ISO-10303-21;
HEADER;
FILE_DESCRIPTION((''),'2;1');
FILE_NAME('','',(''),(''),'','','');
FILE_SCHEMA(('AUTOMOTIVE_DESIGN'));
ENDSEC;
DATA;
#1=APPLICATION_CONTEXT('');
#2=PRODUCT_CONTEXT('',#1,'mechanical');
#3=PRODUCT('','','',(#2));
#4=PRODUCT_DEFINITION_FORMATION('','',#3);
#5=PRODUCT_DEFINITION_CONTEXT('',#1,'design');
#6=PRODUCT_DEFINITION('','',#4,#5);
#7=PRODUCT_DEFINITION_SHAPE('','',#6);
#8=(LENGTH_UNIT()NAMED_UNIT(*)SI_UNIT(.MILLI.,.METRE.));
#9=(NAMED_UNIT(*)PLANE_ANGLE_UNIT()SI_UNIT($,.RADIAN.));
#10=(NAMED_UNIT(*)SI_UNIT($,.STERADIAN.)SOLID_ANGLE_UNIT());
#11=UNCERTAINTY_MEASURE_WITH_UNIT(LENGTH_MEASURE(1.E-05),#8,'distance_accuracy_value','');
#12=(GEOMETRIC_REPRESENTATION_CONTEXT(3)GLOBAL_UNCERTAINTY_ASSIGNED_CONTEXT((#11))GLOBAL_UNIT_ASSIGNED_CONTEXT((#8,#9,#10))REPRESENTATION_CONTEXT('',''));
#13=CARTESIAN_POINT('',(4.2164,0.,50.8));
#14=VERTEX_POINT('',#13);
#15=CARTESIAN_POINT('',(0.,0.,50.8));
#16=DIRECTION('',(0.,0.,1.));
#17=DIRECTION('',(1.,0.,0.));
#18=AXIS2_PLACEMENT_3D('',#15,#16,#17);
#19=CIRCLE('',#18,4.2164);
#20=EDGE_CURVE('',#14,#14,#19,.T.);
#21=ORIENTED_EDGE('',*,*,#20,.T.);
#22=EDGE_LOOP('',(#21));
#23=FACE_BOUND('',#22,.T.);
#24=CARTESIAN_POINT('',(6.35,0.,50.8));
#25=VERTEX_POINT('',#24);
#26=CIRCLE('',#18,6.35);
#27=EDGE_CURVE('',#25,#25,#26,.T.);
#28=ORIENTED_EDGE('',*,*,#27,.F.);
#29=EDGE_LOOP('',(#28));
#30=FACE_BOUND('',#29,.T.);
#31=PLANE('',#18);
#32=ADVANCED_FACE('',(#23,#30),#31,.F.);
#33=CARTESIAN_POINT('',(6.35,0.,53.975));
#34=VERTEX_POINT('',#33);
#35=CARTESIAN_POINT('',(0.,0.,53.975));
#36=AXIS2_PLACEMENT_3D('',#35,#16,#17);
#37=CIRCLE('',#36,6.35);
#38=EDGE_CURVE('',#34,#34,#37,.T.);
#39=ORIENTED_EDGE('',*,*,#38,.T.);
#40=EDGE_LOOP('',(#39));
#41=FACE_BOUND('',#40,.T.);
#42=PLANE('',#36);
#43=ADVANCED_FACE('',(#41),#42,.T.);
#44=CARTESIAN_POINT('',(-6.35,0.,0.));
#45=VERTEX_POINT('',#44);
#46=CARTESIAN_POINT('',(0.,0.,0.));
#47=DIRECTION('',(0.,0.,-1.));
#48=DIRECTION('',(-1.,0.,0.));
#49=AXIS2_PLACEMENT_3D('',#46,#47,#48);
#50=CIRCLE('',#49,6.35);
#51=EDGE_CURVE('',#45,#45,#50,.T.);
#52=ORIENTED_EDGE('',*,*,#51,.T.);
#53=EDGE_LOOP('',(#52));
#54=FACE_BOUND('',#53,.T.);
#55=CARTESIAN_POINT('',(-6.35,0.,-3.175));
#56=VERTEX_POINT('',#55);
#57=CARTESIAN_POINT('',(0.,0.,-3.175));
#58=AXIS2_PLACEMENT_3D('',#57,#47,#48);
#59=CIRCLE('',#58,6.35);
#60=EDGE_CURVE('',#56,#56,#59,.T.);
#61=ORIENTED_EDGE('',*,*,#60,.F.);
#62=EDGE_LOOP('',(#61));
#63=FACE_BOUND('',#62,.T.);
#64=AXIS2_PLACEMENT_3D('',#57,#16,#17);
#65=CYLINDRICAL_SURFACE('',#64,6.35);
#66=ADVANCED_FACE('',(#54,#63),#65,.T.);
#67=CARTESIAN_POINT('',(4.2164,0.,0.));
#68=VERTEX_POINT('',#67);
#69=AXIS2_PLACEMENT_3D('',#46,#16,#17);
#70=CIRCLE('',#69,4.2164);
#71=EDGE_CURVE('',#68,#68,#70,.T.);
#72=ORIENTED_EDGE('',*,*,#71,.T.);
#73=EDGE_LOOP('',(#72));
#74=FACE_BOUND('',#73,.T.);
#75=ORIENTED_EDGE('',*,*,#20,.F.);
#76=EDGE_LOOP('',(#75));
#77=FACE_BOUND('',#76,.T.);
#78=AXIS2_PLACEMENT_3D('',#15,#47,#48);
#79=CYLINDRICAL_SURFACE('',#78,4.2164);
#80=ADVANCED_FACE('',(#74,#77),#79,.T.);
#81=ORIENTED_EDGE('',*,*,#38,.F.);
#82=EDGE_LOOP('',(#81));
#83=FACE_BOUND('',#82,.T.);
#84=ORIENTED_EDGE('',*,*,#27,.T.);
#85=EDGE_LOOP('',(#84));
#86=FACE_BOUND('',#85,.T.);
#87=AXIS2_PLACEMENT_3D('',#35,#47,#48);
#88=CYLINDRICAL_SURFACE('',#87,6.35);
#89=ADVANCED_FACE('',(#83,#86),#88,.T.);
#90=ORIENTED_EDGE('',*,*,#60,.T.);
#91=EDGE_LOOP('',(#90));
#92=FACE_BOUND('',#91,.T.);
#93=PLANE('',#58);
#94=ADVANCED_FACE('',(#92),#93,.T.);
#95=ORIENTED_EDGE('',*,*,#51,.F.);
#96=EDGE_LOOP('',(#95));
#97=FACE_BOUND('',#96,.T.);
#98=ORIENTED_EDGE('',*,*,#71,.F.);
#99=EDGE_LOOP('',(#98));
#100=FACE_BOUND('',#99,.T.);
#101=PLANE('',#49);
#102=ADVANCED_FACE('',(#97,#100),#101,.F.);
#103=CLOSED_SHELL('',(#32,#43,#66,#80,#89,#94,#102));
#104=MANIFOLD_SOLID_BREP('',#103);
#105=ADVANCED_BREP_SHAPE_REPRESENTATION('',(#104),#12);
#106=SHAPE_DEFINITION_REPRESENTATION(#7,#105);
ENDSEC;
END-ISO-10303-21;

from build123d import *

# Parameters (mm, degrees)
SKETCH1_R           = 4.2164
BOSS_EXTRUDE1_DEPTH = 50.8
SKETCH2_R           = 6.35
BOSS_EXTRUDE2_DEPTH = 3.175
BOSS_EXTRUDE3_START = 3.175
SKETCH3_R           = 6.35
BOSS_EXTRUDE3_DEPTH = 3.175


with BuildPart() as part:
    # Sketch1 → Boss-Extrude1 (new body)
    with BuildSketch(Plane.XY):
        Circle(SKETCH1_R)
    extrude(amount=BOSS_EXTRUDE1_DEPTH)

    # Sketch2 → Boss-Extrude2 (add)
    with BuildSketch(Plane.XY.offset(50.8)):
        Circle(SKETCH2_R)
    extrude(amount=BOSS_EXTRUDE2_DEPTH)

    # Sketch3 → Boss-Extrude3 (add)
    with BuildSketch(Plane(origin=(0, 0, 0), x_dir=(-1, 0, 0), z_dir=(0, 0, -1)).offset(BOSS_EXTRUDE3_START)):
        with Locations(Location((0, 0, 0), (0, 0, 180))):
            Circle(SKETCH3_R)
    extrude(amount=-BOSS_EXTRUDE3_DEPTH)


solid = part.part
